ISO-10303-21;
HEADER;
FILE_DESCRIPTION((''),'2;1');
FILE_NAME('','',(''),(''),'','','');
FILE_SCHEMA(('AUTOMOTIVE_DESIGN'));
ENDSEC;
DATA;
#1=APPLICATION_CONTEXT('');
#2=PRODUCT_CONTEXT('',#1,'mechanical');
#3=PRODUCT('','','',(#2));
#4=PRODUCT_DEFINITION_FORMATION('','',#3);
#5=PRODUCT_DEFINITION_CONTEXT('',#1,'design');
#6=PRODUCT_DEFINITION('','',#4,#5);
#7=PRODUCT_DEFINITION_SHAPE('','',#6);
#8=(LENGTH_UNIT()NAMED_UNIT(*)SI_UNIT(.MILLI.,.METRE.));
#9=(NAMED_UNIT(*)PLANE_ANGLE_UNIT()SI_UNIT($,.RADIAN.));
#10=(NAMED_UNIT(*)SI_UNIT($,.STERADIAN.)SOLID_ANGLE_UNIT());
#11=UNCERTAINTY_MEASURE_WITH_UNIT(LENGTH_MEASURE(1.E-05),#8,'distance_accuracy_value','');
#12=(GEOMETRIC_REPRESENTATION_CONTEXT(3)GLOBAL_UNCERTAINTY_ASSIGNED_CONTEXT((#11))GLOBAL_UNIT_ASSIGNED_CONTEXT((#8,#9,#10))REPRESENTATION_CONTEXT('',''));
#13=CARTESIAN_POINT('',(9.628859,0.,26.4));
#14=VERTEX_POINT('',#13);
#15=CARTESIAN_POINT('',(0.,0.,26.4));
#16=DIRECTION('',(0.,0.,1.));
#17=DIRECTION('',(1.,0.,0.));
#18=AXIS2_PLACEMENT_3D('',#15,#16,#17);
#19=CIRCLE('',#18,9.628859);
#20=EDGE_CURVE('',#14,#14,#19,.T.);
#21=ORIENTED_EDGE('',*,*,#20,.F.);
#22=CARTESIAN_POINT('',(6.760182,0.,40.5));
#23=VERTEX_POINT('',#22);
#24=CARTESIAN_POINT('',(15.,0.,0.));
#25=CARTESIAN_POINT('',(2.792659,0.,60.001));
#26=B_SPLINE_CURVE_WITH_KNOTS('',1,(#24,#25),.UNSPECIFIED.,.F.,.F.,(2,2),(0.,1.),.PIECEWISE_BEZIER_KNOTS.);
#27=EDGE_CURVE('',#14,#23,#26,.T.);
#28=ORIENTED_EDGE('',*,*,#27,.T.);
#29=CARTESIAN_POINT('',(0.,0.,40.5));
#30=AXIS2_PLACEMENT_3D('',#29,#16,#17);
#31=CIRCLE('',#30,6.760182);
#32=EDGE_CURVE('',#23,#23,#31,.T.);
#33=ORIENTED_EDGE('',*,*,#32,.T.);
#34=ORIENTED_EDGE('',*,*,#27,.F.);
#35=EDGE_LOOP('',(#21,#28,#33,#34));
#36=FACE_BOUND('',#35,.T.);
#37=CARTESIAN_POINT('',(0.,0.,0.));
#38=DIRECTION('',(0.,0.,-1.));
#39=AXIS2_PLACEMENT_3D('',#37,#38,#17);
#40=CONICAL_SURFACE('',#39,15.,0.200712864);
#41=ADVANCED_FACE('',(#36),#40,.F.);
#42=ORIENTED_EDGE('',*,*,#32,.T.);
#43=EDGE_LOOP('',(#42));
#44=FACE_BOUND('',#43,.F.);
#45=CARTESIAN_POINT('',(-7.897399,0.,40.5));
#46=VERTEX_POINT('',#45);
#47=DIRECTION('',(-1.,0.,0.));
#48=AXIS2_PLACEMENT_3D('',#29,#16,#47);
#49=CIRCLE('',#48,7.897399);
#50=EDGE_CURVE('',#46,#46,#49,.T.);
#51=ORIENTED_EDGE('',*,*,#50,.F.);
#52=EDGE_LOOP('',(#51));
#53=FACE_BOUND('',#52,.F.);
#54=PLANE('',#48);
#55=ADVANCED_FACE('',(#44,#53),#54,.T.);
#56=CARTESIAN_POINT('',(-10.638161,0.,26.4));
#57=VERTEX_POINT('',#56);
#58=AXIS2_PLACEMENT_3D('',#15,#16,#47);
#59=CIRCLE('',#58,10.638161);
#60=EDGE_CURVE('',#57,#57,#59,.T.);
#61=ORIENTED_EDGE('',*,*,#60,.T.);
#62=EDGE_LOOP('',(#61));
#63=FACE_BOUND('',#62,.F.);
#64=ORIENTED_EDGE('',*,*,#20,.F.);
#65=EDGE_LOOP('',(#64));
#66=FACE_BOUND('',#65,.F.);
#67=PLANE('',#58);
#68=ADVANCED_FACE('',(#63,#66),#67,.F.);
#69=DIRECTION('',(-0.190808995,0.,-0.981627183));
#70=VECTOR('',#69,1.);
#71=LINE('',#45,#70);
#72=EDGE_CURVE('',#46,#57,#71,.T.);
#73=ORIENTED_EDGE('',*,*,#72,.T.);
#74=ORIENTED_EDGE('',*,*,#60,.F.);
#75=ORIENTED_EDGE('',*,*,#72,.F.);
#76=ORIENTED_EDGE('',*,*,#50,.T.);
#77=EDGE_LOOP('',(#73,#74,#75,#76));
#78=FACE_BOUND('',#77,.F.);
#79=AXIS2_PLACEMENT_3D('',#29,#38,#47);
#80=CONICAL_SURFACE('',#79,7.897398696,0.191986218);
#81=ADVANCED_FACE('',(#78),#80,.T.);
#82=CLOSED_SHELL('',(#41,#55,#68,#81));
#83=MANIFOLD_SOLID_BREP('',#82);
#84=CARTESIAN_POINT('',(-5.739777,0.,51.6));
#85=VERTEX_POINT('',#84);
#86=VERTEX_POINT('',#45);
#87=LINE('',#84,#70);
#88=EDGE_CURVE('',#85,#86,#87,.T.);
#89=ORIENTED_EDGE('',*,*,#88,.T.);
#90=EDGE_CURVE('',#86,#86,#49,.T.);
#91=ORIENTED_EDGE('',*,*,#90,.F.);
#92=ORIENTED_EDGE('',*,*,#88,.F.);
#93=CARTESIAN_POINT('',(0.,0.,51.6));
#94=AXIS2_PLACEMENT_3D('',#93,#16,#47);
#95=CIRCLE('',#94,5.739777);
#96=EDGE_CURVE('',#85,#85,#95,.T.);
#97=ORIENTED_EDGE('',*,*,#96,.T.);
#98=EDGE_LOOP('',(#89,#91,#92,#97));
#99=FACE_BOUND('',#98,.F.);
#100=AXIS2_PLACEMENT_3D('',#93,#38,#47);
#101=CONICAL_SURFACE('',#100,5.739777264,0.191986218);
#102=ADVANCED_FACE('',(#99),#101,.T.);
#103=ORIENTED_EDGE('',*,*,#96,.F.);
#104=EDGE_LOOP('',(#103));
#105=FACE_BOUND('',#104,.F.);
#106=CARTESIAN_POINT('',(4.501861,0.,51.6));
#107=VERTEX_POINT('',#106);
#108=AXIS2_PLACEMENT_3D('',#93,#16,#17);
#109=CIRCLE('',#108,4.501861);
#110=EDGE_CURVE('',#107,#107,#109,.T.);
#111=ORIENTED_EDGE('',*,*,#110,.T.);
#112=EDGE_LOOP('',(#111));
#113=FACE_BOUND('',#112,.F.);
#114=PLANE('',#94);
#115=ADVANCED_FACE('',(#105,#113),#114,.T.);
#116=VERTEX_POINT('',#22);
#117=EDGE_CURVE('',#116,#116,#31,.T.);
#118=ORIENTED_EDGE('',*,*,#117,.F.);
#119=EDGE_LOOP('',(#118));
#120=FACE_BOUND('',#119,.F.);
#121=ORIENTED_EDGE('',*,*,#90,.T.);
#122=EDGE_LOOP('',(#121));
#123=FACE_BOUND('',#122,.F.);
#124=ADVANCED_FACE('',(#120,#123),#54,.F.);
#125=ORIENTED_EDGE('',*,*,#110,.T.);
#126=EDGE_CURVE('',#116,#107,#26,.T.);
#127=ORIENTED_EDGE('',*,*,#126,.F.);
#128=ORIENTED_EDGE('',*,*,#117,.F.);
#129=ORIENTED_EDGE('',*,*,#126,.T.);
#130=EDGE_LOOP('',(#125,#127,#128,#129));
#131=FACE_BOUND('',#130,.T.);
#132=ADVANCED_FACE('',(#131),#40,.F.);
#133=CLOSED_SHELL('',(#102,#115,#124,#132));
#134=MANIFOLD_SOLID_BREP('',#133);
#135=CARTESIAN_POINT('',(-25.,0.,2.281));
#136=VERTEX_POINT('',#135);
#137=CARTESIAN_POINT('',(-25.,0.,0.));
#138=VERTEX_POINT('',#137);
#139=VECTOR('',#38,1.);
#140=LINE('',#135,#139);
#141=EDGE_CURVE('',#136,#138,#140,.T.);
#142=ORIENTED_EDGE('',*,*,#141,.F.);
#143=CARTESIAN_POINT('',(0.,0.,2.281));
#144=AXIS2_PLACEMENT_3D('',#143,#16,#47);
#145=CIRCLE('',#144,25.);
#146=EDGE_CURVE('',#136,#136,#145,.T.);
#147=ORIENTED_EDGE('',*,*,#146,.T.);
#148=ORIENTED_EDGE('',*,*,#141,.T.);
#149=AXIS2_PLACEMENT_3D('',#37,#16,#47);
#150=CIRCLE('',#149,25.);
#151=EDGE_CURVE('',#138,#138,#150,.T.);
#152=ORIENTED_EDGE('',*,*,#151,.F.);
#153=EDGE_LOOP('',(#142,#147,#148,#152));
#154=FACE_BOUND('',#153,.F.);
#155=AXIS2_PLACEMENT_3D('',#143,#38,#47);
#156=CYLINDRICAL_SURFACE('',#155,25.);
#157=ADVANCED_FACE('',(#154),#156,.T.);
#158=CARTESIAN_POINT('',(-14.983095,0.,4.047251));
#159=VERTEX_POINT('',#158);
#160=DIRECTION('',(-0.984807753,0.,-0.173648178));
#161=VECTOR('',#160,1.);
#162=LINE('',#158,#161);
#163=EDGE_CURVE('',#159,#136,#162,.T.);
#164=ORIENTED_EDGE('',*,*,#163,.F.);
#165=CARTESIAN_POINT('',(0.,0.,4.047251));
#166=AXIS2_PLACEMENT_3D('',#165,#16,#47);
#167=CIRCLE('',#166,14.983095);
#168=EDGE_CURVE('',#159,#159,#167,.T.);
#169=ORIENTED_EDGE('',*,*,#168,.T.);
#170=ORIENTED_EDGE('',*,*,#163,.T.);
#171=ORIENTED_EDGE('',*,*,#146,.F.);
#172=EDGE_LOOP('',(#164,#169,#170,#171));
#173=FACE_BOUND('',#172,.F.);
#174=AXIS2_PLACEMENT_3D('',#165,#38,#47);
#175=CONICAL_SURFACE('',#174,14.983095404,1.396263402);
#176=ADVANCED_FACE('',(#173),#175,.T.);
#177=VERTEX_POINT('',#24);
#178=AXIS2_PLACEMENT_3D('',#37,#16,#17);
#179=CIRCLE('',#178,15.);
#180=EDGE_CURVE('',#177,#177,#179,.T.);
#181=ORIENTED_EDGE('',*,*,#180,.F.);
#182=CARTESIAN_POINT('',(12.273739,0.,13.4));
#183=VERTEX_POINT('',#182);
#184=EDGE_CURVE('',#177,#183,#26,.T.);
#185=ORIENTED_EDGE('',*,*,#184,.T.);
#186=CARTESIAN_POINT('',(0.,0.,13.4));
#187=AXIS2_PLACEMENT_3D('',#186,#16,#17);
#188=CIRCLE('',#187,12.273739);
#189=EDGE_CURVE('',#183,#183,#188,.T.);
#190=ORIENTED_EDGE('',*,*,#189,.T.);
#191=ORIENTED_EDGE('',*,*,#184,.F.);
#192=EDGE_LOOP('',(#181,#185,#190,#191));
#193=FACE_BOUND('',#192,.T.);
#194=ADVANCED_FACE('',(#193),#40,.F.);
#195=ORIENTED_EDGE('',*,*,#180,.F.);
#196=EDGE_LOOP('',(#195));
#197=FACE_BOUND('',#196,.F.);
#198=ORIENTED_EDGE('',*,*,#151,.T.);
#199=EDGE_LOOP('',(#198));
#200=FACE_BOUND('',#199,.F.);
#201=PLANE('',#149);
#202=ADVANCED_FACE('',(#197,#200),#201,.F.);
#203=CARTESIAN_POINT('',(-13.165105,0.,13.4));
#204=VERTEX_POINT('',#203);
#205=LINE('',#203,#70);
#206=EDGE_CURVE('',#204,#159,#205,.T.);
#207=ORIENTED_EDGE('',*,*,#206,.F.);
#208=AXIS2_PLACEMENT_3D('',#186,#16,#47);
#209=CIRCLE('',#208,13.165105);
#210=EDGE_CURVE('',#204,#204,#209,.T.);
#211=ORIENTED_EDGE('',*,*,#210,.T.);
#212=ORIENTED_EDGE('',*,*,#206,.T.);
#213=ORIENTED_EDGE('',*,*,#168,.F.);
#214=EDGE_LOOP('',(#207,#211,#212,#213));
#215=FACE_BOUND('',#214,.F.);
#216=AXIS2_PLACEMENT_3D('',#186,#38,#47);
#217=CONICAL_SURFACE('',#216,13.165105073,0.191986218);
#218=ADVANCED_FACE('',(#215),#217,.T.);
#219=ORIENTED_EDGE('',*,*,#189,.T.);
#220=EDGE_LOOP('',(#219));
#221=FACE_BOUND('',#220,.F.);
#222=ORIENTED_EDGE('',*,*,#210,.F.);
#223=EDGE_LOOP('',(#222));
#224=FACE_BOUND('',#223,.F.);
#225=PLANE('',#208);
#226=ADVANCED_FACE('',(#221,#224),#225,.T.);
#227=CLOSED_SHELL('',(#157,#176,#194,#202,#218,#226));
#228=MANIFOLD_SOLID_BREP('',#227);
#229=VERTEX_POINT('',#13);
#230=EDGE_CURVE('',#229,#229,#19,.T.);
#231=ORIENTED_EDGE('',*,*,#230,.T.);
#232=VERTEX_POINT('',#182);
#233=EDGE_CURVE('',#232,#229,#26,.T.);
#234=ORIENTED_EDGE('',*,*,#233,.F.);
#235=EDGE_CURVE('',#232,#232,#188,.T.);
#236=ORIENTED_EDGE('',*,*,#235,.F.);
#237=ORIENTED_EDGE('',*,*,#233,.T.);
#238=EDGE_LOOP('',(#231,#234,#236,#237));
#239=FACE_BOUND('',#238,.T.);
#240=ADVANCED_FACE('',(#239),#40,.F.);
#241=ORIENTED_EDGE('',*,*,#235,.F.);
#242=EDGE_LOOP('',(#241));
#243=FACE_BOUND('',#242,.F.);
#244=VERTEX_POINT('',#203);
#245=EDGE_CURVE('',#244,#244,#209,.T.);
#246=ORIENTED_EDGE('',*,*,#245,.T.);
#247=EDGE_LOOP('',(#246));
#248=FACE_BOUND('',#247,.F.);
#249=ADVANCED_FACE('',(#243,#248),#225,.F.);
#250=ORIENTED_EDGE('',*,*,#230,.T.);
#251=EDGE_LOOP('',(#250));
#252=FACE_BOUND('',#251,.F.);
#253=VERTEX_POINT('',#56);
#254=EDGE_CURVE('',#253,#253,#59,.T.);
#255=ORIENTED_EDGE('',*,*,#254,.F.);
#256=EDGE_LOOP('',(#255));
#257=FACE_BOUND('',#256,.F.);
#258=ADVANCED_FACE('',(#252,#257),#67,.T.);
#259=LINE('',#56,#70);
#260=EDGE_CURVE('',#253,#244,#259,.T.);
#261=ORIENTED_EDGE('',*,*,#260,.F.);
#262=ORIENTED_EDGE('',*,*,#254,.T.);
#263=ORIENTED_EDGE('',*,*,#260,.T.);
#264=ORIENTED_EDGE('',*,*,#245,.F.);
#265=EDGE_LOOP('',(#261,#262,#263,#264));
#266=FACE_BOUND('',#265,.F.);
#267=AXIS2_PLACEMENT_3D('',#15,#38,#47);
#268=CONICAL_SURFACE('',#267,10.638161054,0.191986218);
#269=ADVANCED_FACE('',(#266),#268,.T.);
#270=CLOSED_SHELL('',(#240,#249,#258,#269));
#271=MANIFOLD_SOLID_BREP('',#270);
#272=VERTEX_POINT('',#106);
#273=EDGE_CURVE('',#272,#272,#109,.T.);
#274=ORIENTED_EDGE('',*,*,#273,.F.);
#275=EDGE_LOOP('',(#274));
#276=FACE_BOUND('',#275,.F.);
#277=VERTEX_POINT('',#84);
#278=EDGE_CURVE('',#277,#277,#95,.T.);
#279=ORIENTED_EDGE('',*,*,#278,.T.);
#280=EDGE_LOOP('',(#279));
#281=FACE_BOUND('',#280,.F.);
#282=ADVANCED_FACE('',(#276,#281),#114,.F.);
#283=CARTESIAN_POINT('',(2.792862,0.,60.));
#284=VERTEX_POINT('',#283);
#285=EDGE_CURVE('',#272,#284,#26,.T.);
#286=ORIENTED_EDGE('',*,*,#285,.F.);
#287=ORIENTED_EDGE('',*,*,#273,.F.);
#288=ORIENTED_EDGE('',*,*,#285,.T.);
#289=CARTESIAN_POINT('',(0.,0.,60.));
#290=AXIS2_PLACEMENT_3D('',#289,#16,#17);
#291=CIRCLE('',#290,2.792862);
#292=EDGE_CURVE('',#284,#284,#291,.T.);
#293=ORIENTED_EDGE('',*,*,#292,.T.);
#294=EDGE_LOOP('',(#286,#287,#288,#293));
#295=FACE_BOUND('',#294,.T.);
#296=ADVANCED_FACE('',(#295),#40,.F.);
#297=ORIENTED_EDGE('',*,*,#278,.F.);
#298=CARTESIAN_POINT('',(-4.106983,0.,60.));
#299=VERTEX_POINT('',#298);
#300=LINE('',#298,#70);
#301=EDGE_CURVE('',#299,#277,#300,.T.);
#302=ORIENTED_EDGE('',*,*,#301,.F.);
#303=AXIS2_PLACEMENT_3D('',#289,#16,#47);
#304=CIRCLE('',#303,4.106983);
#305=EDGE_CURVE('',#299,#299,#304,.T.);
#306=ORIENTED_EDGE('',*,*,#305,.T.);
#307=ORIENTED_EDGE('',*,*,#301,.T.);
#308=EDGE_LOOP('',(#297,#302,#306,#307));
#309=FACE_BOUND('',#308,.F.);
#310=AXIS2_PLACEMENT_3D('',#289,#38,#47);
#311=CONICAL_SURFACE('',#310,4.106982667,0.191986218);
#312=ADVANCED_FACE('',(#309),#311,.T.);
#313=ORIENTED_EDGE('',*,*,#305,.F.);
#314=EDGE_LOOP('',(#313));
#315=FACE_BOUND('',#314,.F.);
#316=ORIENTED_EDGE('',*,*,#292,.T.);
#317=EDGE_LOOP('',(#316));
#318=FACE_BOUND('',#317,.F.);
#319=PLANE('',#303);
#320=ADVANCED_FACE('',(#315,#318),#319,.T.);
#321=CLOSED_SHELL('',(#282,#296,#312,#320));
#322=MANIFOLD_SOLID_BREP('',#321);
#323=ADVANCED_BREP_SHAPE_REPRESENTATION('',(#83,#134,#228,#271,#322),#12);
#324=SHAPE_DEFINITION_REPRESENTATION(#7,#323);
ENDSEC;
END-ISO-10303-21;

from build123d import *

# Parameters (mm, degrees)
F6_R     = 15
F7_DEPTH = 60.001
F7_TAPER = 11.5


with BuildPart() as f1:
    # F0 (on Front) → F1 (revolve)
    with BuildSketch(Plane.XZ):
        Polygon((-7.8973986956, 40.5), (0, 40.5), (0, 51.6), (-5.7397772641, 51.6), align=None)
    revolve(axis=Axis((0, 0, 30), (0, 0, 1)))


with BuildPart() as f2:
    # F0 (on Front) → F2 (revolve)
    with BuildSketch(Plane.XZ):
        Polygon((-5.7397772641, 51.6), (0, 51.6), (0, 60), (-4.1069826674, 60), align=None)
    revolve(axis=Axis((0, 0, 30), (0, 0, 1)))


with BuildPart() as f3:
    # F0 (on Front) → F3 (revolve)
    with BuildSketch(Plane.XZ):
        Polygon((-10.6381610544, 26.4), (0, 26.4), (0, 40.5), (-7.8973986956, 40.5), align=None)
    revolve(axis=Axis((0, 0, 30), (0, 0, 1)))


with BuildPart() as f4:
    # F0 (on Front) → F4 (revolve)
    with BuildSketch(Plane.XZ):
        Polygon((-13.1651050732, 13.4), (0, 13.4), (0, 26.4), (-10.6381610544, 26.4), align=None)
    revolve(axis=Axis((0, 0, 30), (0, 0, 1)))


with BuildPart() as f5:
    # F0 (on Front) → F5 (revolve)
    with BuildSketch(Plane.XZ):
        Polygon((-25, 0), (0, 0), (0, 13.4), (-13.1651050732, 13.4), (-14.9830954039, 4.0472505435), (-25, 2.281), align=None)
    revolve(axis=Axis((0, 0, 30), (0, 0, 1)))


with BuildPart() as f7_tool:
    # F6 (on face) → F7 (new body, through all)
    with BuildSketch(Plane(origin=(0, 0, 0), x_dir=(1, 0, 0), z_dir=(0, 0, -1))):
        Circle(F6_R)
    extrude(amount=-F7_DEPTH, taper=F7_TAPER)


with BuildPart() as f1_1:
    add(f1.part)

    # F7: cut by f7_tool
    add(f7_tool.part, mode=Mode.SUBTRACT)


with BuildPart() as f2_1:
    add(f2.part)

    # F7: cut by f7_tool
    add(f7_tool.part, mode=Mode.SUBTRACT)


with BuildPart() as f3_1:
    add(f3.part)

    # F7: cut by f7_tool
    add(f7_tool.part, mode=Mode.SUBTRACT)


with BuildPart() as f4_1:
    add(f4.part)

    # F7: cut by f7_tool
    add(f7_tool.part, mode=Mode.SUBTRACT)


with BuildPart() as f5_1:
    add(f5.part)

    # F7: cut by f7_tool
    add(f7_tool.part, mode=Mode.SUBTRACT)


solid = Compound([f1_1.part, f2_1.part, f3_1.part, f4_1.part, f5_1.part])
